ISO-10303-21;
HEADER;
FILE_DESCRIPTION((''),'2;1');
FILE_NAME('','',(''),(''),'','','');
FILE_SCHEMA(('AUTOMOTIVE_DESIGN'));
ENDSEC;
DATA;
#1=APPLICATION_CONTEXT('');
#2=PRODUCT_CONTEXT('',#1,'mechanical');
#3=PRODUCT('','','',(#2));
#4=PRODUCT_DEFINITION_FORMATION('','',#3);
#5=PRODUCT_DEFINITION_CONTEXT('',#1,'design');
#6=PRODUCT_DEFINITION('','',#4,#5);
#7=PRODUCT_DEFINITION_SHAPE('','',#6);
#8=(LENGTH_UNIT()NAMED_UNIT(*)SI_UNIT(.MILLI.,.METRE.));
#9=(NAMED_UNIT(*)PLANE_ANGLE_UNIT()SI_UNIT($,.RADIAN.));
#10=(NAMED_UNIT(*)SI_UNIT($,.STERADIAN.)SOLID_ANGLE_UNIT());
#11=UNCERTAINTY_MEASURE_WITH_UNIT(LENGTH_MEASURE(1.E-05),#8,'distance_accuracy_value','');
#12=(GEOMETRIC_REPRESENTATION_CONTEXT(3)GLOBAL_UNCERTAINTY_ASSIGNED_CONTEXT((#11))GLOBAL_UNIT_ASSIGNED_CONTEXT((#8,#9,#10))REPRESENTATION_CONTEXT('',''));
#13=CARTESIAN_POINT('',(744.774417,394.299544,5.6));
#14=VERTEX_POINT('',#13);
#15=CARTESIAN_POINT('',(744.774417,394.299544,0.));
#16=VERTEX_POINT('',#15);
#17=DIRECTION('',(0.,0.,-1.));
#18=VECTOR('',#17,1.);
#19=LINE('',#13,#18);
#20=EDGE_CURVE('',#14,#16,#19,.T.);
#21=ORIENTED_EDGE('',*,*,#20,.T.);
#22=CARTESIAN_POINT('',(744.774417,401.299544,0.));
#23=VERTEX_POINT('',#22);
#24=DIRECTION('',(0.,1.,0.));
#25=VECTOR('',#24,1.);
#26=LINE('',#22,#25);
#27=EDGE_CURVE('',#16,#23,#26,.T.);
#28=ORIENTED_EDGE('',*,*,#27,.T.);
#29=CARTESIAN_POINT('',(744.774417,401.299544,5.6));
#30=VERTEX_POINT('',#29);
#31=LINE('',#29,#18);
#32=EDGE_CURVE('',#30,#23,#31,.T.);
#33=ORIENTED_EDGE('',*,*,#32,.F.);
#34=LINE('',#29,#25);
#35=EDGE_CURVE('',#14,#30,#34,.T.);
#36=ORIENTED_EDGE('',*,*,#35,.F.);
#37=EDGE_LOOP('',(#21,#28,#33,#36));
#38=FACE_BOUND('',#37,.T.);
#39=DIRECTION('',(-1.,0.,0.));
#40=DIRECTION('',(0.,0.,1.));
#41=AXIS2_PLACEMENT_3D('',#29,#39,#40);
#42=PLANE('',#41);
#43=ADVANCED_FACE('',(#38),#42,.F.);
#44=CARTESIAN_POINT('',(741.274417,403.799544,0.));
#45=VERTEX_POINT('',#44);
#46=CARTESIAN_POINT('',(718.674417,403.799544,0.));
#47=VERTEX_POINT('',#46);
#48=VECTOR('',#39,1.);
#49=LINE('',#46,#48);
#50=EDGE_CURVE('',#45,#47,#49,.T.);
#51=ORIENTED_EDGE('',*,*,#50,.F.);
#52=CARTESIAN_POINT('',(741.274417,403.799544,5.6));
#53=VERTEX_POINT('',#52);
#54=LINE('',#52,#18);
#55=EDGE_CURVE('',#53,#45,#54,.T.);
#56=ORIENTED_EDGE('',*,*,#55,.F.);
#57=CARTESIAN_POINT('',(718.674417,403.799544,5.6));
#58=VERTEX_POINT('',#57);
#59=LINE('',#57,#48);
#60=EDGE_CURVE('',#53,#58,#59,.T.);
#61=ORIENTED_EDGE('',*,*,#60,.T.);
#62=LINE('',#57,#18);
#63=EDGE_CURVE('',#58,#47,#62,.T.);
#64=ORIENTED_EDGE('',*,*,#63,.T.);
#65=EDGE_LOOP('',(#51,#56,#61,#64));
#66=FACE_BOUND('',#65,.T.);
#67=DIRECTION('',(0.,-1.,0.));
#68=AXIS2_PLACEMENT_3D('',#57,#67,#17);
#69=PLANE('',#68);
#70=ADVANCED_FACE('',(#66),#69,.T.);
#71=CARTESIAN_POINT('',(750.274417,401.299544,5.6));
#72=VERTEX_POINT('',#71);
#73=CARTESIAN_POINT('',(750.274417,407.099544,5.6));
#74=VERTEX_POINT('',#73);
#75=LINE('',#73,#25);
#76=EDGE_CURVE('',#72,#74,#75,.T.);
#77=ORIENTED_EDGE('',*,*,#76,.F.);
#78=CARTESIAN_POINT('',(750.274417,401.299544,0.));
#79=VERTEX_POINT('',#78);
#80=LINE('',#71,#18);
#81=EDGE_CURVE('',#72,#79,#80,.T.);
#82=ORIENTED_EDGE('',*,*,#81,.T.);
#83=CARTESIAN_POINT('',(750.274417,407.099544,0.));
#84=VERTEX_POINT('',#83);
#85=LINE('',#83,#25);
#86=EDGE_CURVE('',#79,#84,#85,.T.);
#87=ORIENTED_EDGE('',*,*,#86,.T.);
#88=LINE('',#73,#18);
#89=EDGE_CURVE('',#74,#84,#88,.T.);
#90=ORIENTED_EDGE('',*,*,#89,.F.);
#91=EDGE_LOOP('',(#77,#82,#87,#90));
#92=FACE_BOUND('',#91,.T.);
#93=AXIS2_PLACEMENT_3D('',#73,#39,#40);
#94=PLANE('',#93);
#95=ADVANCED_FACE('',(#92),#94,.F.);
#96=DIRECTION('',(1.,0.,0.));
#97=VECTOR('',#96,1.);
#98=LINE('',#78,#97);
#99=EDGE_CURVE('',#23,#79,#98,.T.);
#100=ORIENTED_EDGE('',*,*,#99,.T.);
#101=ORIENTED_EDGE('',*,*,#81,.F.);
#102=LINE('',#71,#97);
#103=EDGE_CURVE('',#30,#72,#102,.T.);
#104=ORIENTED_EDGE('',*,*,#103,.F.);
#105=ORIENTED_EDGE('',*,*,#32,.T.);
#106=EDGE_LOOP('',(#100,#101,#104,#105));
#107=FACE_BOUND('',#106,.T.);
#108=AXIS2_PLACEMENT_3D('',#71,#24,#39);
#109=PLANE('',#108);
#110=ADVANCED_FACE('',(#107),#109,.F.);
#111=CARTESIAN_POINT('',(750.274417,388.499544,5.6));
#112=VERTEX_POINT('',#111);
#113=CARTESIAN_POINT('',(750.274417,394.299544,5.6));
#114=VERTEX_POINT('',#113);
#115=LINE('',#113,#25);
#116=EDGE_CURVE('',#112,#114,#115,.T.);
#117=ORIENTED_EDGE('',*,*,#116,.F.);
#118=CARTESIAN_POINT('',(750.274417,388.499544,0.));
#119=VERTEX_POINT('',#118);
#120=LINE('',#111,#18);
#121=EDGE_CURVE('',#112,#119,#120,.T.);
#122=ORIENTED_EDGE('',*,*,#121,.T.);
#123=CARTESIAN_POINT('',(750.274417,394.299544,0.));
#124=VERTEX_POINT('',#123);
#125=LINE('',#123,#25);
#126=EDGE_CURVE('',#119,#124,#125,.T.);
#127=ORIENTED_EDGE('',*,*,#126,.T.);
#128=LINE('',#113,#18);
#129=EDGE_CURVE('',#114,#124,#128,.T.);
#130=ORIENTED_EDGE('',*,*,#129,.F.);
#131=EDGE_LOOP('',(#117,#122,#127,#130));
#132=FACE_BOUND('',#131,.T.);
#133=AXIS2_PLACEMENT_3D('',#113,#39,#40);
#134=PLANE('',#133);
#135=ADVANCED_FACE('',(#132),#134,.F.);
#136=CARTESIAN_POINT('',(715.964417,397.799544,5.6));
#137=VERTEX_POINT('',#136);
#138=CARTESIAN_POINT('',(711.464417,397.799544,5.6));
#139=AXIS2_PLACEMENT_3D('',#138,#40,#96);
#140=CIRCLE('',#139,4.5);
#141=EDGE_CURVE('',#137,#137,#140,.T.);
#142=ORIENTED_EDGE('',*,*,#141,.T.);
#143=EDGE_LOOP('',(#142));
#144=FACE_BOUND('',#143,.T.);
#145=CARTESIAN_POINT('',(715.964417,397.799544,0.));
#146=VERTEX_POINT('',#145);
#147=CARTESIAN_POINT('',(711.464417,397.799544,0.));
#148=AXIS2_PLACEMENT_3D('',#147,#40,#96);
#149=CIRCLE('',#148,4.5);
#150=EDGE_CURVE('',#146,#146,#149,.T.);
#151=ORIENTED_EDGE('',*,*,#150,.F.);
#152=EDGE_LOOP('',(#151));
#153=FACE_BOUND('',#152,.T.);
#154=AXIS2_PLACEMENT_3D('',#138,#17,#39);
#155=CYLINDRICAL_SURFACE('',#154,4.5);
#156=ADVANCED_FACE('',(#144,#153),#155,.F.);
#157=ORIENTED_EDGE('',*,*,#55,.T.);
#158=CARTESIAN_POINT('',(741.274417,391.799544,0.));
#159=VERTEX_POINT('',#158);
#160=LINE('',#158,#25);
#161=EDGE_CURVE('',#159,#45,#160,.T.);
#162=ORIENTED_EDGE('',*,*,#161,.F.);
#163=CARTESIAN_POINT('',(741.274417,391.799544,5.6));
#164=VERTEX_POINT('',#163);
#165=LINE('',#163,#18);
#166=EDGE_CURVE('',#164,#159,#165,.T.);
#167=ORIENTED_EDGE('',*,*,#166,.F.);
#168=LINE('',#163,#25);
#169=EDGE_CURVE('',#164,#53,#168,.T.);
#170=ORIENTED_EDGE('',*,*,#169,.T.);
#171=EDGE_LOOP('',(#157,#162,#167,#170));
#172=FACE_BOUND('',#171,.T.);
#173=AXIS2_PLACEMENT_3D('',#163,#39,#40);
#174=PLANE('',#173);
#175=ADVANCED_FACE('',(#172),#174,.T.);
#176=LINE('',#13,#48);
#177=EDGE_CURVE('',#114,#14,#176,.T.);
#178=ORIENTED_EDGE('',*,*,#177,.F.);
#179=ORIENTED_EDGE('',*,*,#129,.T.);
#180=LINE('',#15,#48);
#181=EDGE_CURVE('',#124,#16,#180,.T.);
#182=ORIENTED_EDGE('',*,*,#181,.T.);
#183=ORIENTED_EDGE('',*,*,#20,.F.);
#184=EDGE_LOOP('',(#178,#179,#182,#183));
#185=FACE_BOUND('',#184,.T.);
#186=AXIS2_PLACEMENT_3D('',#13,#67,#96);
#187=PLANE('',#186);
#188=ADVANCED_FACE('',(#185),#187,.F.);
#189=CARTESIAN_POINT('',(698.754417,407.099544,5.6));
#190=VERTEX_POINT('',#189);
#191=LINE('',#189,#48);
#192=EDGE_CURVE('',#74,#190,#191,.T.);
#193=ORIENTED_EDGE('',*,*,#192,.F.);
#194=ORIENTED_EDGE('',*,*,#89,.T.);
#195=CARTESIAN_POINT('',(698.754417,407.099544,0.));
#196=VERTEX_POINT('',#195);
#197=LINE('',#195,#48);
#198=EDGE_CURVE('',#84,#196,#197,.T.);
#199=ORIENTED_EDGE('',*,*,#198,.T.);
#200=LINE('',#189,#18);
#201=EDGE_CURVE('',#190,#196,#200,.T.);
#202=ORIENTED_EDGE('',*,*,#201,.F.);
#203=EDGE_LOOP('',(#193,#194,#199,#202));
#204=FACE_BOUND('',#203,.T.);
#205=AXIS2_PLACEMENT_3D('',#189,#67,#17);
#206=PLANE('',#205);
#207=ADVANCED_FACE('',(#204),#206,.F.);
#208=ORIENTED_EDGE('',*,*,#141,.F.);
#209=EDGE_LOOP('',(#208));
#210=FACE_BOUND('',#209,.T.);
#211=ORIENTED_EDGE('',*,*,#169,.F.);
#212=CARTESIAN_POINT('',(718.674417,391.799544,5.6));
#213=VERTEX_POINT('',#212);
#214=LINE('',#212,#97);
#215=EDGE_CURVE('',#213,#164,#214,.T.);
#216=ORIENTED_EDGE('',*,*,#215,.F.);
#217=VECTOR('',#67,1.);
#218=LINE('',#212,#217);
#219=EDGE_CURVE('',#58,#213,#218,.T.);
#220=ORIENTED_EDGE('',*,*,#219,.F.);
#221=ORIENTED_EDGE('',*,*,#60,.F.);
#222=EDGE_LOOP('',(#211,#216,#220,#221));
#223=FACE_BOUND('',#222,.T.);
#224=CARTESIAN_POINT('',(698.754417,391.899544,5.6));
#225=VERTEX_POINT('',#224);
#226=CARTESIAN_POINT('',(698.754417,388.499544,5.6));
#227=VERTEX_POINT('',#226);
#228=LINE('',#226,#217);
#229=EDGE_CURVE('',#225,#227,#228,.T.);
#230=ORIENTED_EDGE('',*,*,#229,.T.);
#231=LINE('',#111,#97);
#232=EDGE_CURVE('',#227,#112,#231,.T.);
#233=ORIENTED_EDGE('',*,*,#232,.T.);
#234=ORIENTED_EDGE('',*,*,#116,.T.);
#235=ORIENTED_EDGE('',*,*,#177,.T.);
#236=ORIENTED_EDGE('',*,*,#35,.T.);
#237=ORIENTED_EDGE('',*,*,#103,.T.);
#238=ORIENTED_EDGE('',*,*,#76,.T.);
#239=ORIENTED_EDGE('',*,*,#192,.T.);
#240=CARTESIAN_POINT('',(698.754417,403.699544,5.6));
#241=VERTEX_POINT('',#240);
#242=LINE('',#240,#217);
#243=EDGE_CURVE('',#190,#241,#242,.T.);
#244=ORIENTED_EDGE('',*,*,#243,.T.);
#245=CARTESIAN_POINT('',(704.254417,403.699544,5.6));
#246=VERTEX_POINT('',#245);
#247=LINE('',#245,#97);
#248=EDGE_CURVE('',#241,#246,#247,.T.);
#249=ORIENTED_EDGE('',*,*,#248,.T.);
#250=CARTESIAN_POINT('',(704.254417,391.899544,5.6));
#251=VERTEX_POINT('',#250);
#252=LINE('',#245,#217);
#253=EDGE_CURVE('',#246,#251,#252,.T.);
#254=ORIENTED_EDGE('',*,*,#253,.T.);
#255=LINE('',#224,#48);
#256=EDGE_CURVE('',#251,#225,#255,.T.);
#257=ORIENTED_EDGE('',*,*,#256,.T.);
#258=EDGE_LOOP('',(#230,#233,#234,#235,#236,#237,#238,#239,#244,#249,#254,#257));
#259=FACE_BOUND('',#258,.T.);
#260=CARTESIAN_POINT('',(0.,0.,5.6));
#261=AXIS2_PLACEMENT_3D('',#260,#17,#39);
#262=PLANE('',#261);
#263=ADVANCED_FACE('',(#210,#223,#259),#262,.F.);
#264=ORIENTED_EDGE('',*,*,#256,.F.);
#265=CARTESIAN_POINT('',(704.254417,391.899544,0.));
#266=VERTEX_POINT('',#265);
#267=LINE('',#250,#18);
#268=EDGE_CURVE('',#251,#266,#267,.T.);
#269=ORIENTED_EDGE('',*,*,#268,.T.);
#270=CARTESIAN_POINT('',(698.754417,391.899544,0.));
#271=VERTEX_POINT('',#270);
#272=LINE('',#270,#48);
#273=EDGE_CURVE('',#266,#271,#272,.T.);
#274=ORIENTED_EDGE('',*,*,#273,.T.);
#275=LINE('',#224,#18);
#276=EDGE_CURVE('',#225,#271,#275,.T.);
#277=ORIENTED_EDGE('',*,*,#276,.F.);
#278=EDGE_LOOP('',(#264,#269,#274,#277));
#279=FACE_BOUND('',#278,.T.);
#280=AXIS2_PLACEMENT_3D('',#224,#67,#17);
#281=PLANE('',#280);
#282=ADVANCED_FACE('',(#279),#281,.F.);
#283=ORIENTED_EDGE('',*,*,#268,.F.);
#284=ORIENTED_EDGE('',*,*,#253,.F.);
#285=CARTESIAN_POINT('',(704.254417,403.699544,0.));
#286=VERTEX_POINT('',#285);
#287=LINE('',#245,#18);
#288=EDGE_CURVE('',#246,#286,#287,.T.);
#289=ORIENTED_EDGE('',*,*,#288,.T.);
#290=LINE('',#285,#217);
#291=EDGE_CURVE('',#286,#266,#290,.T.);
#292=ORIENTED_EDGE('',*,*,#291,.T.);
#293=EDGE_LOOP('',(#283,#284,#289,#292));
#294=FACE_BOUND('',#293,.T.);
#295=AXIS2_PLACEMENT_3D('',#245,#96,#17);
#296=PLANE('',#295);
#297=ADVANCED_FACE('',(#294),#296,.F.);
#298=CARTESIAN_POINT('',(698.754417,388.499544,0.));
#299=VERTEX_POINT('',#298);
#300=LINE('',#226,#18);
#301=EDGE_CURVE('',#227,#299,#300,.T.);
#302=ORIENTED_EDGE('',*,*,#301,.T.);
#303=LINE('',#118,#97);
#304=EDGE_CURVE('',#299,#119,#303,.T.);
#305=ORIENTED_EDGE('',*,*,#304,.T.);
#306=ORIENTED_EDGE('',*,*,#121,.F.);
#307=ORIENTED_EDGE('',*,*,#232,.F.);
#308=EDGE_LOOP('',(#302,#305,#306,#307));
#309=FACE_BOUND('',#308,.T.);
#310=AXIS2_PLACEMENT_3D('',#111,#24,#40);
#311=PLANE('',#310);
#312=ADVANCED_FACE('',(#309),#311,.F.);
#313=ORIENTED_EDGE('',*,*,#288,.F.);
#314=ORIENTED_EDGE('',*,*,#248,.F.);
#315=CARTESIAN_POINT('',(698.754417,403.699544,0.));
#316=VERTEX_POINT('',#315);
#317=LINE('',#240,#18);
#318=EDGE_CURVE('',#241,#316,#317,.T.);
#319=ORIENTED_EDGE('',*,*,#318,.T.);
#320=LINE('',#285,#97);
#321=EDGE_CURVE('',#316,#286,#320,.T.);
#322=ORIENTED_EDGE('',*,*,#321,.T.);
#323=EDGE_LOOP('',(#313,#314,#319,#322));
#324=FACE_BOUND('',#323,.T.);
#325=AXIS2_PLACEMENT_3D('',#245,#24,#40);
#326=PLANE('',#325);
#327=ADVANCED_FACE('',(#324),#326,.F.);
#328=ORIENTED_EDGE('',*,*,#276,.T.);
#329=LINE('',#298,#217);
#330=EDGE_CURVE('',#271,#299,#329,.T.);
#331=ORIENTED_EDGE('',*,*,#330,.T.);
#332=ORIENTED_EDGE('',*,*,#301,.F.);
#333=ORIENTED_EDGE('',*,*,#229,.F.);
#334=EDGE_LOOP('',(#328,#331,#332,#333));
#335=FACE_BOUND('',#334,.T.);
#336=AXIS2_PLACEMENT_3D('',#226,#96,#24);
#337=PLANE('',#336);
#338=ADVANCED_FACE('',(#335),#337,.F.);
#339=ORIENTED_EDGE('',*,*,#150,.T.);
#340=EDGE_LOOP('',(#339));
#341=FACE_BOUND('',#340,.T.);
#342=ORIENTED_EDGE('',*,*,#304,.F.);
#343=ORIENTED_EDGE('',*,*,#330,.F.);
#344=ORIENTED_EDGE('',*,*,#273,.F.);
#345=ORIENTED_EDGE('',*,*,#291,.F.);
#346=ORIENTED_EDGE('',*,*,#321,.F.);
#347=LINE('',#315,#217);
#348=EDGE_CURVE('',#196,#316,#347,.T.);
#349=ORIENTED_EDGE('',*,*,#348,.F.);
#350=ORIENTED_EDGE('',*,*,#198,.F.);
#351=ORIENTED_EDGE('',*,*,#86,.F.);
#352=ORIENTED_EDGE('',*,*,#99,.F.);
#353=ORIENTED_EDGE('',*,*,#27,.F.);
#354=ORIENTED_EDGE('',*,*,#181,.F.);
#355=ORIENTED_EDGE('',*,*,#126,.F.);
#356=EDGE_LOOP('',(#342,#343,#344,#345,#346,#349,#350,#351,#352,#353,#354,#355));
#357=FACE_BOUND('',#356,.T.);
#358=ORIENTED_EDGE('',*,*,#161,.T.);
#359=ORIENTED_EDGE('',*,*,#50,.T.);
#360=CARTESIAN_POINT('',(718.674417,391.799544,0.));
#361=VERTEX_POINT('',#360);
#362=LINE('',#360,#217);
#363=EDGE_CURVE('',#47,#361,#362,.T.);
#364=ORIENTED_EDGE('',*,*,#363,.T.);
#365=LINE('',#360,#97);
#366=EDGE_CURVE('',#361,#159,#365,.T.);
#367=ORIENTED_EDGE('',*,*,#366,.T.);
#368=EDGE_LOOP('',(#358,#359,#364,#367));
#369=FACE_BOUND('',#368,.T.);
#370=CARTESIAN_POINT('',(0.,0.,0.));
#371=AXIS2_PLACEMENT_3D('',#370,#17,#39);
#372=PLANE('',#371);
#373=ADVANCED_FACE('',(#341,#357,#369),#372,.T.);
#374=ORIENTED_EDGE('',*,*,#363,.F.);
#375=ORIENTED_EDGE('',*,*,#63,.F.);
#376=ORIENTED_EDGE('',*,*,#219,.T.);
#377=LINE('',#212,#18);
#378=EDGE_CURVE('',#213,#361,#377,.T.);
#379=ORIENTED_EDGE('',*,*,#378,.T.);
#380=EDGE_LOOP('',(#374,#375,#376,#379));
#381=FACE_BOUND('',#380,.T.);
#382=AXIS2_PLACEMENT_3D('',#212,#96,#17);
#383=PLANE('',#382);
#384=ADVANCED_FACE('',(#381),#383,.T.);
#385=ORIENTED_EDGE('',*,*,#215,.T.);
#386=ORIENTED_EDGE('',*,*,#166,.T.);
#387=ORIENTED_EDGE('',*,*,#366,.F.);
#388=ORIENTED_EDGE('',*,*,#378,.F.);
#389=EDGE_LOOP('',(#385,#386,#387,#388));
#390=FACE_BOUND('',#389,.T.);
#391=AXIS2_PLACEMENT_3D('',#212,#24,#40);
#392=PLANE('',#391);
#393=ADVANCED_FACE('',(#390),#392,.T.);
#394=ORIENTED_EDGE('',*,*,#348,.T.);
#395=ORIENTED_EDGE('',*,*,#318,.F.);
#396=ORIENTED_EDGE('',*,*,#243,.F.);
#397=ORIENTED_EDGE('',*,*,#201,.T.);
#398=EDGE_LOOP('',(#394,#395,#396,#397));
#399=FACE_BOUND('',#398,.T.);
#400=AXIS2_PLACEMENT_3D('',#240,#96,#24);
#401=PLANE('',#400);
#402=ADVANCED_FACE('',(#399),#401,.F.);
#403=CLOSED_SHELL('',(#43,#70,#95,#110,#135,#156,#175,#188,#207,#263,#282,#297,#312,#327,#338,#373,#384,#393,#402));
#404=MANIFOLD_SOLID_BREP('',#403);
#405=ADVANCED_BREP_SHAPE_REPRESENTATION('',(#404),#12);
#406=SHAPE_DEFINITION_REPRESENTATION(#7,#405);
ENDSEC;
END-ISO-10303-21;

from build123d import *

# Parameters (mm, degrees)
SKETCH1_R           = 4.5
SKETCH1_W           = 22.6
SKETCH1_H           = 12
BOSS_EXTRUDE1_DEPTH = 5.6


with BuildPart() as part:
    # Sketch1 → Boss-Extrude1 (new body)
    with BuildSketch(Plane.XY):
        Polygon((704.254416841, 403.699543709), (704.254416841, 391.899543709), (698.754416841, 391.899543709), (698.754416841, 388.499543709), (750.274416841, 388.499543709), (750.274416841, 394.299543709), (744.774416841, 394.299543709), (744.774416841, 401.299543709), (750.274416841, 401.299543709), (750.274416841, 407.099543709), (698.754416841, 407.099543709), (698.754416841, 403.699543709), align=None)
        with Locations((711.464416841, 397.799543709)):
            Circle(SKETCH1_R, mode=Mode.SUBTRACT)
        with Locations((729.974416841, 397.799543709)):
            Rectangle(SKETCH1_W, SKETCH1_H, mode=Mode.SUBTRACT)
    extrude(amount=BOSS_EXTRUDE1_DEPTH)


solid = part.part
